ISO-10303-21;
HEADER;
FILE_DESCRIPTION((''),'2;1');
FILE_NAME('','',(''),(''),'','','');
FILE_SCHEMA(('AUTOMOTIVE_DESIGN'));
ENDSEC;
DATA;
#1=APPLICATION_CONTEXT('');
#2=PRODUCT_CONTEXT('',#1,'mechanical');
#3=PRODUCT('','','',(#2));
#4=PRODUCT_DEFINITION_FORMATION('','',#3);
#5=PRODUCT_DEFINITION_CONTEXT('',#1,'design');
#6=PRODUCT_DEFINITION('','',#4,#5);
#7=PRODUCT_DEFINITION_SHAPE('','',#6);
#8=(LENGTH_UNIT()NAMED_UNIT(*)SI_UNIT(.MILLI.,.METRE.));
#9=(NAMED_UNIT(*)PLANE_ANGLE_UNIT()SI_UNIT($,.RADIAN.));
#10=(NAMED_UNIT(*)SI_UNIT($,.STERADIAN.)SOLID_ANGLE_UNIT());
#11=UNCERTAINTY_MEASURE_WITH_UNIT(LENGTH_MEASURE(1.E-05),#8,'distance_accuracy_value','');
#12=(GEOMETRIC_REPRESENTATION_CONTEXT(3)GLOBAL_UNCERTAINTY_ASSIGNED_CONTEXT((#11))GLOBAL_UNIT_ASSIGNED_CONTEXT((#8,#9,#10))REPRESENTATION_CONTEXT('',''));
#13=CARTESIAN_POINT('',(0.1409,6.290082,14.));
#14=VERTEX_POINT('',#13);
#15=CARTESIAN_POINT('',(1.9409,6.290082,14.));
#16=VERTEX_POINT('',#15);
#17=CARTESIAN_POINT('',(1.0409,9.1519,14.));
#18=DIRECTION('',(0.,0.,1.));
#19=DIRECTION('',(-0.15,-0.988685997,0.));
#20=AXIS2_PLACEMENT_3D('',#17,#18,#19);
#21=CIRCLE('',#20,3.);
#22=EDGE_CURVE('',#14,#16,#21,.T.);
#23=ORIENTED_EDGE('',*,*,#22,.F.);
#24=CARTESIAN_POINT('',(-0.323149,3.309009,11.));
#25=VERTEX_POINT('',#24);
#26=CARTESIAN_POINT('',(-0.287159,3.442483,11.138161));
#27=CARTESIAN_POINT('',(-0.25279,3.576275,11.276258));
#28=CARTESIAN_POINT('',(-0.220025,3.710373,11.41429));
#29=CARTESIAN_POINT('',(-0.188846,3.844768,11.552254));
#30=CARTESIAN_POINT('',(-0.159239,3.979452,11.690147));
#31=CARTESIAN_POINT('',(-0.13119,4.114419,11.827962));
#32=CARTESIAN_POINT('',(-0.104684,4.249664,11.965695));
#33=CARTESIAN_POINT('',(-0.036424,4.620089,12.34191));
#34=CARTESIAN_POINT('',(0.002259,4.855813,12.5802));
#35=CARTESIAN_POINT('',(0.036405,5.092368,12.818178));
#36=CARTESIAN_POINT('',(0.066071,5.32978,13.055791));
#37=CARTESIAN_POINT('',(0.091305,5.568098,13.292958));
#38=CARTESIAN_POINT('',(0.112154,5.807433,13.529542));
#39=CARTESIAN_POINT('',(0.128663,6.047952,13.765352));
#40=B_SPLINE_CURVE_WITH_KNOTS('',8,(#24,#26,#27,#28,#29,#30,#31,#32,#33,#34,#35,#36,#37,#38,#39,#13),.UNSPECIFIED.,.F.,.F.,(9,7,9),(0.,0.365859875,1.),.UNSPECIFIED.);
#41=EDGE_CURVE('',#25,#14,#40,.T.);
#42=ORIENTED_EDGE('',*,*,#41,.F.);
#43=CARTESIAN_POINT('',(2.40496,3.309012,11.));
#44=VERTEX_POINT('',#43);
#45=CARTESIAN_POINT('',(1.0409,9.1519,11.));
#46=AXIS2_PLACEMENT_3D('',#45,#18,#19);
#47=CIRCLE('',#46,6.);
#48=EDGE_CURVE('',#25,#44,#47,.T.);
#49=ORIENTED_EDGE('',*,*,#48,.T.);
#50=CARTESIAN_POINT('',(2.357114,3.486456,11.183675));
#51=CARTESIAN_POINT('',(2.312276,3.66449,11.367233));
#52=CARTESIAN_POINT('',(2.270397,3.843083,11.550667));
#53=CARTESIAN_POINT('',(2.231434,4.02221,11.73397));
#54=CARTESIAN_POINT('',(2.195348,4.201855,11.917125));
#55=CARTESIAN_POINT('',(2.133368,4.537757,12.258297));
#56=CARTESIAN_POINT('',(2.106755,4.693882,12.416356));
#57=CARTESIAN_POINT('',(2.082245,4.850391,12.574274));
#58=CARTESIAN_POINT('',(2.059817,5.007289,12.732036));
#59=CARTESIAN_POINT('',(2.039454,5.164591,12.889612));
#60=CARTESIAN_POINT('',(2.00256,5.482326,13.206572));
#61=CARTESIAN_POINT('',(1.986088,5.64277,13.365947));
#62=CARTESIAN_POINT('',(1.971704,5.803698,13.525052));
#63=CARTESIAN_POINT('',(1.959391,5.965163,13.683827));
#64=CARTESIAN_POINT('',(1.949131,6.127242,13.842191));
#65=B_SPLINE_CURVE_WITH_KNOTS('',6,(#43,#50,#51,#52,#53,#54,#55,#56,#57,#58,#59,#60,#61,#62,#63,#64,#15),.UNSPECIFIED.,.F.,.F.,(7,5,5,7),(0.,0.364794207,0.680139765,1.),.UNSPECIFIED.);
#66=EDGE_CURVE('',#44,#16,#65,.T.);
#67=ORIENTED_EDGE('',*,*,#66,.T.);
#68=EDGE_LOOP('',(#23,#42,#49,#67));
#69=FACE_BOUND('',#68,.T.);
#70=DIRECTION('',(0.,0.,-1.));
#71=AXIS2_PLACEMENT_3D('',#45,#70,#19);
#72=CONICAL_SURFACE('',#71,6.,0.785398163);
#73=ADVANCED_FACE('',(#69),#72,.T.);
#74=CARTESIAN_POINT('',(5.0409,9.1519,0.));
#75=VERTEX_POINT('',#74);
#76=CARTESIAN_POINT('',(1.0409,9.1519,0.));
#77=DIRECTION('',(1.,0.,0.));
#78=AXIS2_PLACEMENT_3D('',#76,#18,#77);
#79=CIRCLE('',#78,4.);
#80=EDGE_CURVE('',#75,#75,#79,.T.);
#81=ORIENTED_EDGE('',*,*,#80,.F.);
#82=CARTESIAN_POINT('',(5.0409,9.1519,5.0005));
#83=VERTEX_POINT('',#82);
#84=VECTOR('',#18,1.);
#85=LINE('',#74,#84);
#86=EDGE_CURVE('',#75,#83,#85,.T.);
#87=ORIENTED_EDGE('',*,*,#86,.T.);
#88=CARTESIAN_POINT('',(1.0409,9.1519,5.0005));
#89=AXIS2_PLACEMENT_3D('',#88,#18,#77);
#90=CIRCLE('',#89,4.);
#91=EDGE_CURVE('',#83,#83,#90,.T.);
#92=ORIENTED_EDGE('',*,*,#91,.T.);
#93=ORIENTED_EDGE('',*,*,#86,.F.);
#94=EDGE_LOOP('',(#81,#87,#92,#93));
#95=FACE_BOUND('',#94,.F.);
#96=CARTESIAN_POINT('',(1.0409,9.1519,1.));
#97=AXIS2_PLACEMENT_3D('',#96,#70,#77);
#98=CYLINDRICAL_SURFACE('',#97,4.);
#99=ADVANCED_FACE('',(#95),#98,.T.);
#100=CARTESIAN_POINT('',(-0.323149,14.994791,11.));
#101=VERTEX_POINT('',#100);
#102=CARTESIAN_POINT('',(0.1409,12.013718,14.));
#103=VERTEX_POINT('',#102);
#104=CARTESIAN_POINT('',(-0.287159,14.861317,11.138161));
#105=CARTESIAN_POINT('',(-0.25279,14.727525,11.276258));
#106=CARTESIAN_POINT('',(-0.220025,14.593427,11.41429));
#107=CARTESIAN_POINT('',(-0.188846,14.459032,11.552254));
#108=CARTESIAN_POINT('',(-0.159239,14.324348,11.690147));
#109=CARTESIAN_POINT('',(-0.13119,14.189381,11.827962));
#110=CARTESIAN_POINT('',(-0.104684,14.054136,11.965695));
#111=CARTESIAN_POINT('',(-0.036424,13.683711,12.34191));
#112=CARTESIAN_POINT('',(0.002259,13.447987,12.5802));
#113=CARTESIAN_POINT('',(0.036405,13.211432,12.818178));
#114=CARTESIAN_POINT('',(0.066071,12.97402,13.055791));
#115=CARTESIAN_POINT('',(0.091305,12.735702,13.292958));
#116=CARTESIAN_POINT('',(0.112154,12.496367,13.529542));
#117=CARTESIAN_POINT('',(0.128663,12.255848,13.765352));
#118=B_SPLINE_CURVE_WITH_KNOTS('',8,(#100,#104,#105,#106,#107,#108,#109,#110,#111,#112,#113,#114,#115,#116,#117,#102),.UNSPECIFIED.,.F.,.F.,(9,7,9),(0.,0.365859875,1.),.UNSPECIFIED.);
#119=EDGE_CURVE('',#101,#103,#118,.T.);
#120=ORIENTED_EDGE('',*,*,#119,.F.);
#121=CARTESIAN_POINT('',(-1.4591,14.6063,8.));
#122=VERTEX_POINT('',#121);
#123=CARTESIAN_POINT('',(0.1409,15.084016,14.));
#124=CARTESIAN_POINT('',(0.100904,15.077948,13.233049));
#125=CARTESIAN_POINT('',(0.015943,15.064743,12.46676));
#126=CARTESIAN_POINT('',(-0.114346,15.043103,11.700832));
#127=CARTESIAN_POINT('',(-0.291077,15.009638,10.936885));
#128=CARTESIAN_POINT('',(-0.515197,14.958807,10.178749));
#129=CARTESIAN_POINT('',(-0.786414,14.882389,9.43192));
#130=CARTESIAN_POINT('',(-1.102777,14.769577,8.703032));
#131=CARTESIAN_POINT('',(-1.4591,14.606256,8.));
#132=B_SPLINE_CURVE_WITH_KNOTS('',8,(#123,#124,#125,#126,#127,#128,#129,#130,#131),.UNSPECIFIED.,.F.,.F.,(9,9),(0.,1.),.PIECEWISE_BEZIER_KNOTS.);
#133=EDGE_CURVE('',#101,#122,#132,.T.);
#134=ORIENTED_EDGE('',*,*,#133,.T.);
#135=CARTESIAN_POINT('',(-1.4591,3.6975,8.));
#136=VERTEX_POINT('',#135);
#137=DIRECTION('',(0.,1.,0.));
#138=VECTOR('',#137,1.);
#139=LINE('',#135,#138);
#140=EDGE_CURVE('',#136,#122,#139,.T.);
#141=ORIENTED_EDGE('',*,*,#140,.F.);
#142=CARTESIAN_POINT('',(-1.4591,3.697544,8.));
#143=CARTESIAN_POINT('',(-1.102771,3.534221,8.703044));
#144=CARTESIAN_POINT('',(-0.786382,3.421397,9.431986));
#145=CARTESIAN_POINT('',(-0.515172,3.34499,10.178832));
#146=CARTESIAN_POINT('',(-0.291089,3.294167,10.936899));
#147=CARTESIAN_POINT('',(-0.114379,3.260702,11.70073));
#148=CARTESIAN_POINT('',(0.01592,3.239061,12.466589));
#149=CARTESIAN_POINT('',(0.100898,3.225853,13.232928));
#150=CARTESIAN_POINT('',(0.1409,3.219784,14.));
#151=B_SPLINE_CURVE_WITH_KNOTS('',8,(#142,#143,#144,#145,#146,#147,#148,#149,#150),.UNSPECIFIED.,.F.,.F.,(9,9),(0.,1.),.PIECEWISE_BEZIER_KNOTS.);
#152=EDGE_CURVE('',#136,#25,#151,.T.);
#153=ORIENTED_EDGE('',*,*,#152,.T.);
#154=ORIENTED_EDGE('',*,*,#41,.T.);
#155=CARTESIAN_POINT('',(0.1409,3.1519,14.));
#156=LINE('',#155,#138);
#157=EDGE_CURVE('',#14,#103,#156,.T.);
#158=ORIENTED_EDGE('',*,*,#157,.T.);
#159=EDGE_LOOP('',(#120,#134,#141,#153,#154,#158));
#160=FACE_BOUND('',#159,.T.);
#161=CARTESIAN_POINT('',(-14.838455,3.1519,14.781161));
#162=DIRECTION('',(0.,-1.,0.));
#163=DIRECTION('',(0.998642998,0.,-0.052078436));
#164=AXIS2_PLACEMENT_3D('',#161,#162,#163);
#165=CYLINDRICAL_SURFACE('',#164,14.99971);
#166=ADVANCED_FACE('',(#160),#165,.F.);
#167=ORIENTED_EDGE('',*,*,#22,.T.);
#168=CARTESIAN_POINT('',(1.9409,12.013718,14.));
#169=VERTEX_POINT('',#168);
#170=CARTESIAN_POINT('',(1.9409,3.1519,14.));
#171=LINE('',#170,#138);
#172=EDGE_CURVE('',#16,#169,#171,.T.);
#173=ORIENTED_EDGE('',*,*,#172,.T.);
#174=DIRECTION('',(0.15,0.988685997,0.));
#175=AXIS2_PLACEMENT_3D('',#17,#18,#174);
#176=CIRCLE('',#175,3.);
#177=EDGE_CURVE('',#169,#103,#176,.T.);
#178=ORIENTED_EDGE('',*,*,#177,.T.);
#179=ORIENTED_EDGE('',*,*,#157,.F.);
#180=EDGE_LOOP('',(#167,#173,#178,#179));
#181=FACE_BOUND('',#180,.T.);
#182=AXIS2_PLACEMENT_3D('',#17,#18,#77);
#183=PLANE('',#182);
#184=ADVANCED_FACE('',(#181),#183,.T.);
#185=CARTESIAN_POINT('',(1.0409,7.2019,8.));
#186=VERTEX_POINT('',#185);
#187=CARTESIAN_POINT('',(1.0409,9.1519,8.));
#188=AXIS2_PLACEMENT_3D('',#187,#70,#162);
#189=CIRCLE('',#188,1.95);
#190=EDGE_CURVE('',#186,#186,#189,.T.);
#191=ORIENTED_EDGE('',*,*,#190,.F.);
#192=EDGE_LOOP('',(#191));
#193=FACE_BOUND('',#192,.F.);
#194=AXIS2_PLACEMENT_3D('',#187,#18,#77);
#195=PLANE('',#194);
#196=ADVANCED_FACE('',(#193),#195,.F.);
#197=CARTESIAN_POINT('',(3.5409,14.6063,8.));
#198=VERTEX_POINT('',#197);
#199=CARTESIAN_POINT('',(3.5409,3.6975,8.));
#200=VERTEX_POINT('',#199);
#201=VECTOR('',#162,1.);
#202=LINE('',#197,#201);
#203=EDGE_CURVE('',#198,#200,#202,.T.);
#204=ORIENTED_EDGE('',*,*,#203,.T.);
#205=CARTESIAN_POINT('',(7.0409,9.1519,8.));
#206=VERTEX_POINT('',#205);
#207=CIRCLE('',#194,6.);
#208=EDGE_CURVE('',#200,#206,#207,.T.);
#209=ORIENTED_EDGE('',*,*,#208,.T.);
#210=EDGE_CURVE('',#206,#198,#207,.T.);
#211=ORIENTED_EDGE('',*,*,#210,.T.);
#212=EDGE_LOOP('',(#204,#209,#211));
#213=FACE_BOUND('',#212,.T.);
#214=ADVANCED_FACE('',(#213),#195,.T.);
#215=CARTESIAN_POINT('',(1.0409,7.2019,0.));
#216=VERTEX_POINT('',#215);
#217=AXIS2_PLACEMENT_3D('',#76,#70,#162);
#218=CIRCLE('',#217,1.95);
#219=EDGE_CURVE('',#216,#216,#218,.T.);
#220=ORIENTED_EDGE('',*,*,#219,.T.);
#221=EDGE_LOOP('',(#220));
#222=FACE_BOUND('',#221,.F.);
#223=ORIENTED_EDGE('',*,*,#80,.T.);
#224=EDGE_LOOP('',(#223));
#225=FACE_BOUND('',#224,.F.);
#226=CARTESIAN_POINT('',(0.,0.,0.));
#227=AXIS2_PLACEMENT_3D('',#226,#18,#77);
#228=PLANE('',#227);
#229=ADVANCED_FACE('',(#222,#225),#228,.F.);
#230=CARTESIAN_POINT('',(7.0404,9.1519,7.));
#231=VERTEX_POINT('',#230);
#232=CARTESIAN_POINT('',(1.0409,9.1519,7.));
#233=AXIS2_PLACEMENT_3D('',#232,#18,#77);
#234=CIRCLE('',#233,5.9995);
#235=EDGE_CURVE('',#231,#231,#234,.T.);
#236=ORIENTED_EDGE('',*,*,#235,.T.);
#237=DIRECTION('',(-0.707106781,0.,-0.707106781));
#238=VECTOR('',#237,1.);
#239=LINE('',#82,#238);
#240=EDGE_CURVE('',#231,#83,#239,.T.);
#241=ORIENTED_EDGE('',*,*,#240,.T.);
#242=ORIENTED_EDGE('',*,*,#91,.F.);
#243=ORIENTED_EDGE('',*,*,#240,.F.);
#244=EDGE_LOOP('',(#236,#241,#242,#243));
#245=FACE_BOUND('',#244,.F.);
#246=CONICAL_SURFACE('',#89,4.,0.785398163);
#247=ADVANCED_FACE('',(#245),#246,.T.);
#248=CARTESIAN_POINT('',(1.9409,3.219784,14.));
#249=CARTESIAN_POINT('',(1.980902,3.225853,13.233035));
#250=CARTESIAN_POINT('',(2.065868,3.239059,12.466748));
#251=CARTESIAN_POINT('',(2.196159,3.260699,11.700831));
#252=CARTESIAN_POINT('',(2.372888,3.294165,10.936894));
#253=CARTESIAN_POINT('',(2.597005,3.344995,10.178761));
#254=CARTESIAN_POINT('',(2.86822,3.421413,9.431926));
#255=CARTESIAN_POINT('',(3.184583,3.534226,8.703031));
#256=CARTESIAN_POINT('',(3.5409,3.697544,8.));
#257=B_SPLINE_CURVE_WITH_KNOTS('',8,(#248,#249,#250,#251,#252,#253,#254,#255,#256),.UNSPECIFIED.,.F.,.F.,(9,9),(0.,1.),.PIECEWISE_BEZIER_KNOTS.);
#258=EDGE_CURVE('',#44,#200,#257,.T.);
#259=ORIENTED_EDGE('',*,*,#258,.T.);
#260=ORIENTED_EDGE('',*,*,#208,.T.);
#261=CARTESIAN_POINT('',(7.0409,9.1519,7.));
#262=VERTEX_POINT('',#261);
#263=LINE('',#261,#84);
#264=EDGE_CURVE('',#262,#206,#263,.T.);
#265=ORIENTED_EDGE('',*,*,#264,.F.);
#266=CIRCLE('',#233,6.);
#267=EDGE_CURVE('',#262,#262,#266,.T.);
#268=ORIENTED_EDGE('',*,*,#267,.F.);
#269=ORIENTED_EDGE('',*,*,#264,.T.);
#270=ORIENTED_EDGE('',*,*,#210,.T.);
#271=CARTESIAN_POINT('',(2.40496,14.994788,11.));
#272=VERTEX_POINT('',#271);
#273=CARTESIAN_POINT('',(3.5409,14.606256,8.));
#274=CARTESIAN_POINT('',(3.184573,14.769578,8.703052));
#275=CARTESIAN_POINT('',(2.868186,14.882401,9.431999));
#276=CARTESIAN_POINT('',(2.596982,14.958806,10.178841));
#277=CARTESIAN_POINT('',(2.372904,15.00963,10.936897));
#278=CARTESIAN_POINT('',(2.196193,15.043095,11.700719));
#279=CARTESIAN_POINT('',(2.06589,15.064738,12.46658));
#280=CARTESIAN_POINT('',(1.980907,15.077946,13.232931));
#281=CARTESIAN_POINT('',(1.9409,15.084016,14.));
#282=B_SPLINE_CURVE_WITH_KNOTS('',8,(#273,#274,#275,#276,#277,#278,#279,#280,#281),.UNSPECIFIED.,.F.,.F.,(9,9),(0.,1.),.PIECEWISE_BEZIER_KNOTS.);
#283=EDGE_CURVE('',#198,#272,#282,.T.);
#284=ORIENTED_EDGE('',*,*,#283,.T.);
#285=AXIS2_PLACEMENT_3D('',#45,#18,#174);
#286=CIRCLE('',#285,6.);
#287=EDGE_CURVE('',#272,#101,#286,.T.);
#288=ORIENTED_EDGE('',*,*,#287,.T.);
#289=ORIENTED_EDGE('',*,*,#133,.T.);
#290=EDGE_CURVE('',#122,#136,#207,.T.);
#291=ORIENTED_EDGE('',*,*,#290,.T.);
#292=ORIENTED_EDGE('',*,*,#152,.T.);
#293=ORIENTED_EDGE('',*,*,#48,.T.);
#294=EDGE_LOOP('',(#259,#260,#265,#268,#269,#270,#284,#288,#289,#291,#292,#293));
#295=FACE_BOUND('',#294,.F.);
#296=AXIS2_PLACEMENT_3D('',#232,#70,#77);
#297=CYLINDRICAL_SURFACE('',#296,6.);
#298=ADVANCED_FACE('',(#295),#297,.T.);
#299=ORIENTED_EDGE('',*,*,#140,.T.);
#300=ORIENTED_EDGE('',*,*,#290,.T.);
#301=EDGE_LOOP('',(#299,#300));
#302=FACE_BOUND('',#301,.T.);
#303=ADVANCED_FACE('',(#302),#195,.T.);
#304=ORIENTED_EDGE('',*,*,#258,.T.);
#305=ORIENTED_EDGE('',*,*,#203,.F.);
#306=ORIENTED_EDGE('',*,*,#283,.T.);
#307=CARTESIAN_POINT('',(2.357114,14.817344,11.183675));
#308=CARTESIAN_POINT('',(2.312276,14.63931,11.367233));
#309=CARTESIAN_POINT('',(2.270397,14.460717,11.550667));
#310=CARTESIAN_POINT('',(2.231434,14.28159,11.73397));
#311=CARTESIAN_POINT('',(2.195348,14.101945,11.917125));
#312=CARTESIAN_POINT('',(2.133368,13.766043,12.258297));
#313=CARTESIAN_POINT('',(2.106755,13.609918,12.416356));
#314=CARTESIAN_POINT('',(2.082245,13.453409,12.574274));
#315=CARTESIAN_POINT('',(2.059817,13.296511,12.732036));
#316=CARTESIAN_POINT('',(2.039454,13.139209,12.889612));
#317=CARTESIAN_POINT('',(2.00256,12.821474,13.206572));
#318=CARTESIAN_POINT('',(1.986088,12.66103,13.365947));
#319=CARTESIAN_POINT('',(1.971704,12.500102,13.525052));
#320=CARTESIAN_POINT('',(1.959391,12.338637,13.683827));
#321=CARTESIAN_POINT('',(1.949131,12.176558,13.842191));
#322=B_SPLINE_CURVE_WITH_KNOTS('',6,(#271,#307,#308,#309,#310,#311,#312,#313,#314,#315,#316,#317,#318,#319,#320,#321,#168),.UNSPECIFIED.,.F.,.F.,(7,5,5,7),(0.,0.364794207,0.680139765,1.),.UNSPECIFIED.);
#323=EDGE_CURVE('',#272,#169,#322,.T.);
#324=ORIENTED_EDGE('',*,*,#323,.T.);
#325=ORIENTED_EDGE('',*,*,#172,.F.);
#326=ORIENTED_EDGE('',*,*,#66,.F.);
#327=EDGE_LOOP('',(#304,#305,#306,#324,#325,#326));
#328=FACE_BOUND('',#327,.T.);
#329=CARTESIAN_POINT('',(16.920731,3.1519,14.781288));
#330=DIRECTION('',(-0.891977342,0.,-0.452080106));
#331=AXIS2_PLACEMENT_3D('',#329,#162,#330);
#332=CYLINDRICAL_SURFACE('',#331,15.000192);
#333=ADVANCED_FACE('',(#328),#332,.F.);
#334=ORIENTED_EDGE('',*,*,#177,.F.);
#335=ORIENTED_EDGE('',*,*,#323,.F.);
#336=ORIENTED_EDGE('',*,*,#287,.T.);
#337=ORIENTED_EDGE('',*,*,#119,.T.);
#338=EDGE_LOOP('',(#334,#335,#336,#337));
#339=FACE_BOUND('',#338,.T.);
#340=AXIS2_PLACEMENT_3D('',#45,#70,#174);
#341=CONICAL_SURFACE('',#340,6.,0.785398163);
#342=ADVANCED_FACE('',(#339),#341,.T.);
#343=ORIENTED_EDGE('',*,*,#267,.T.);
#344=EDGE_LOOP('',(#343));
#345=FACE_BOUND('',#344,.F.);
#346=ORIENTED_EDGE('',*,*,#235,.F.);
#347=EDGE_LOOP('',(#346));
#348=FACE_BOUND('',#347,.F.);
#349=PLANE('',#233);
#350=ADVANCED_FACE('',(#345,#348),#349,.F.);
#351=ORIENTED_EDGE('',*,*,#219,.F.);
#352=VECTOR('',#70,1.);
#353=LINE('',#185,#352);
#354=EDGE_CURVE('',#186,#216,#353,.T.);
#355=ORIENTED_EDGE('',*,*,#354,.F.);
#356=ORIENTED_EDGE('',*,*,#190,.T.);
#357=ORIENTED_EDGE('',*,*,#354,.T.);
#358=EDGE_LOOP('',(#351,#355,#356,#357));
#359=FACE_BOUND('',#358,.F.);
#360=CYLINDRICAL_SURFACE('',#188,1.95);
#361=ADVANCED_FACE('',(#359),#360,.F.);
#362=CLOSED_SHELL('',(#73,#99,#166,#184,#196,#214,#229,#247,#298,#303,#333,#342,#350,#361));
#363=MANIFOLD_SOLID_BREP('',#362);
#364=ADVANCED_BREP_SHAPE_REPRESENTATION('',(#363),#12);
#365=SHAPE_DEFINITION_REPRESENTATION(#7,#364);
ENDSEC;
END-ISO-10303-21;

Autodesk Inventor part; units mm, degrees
ref_plane "YZ Plane" through (0, 0, 0) normal (1, 0, 0) x (0, 1, 0)
ref_plane "XY Plane" through (0, 0, 0) normal (0, 0, 1) x (1, 0, 0)
sketch "Sketch1" plane through (0, 0, 0) normal (0, 0, 1) x (1, 0, 0)
  circle A0 centre (1.0409, 9.1519) radius 2.25 projected
  circle A1 centre (1.0409, 9.1519) radius 4
  point P0 (0, 0)
  dimension "d0" = 8
extrude "Extrusion1" add sketch "Sketch1" along normal blind 1 contours A0 | A1
sketch "Sketch2" plane through (1.0409, 9.1519, 1) normal (0, 0, 1) x (1, 0, 0)
  circle A0 centre (0, 0) radius 4
  point P0 (-1.0409, -9.1519)
  dimension "d3" = 8
extrude "Extrusion2" add sketch "Sketch2" along normal blind 6
sketch "Sketch3" plane through (1.0409, 9.1519, 7) normal (0, 0, 1) x (1, 0, 0)
  circle A0 centre (0, 0) radius 6
  point P0 (-1.0409, -9.1519)
  dimension "d6" = 12
extrude "Extrusion3" add sketch "Sketch3" along normal blind 1
hole "Hole1" at (1.0409, 9.1519, 8) direction (0, 0, -1) diameter 3.9 end through all
sketch "Sketch4" plane through (1.0409, 9.1519, 8) normal (0, 0, 1) x (1, 0, 0)
  line L0 (2.5, 5.4544) -> (2.5, -5.4544)
  line L1 (-2.5, -5.4544) -> (-2.5, 5.4544)
  circle A0 centre (0, 0) radius 1.95 projected
  circle A1 centre (0, 0) radius 6 projected
  point P0 (-1.0409, -9.1519)
  dimension "d22" = 2.5
  dimension "d23" = 2.5
extrude "Extrusion4" add sketch "Sketch4" along normal blind 6 contours L0 A1 L1 | A0
ref_plane "Work Plane1" through (1.0409, 3.1519, 7) normal (0, 1, 0) x (-1, 0, 0)
sketch "Sketch5" plane through (1.0409, 3.1519, 7) normal (0, 1, 0) x (-1, 0, 0)
  line L0 (-2.5, 1) -> (-2.5, 1) projected
  line L1 (-2.5, 1) -> (-2.5, 7) projected
  line L2 (2.5, 7) -> (-2.5, 7) projected
  line L3 (2.5, 1) -> (2.5, 7) projected
  line L4 (2.5, 1) -> (2.5, 1) projected
  line L5 (2.5, 1) -> (2.5, 7) projected
  line L6 (-2.5, 7) -> (2.5, 7) projected
  line L7 (-2.5, 1) -> (-2.5, 7) projected
  line L8 (-6, 0) -> (6, 0) projected
  line L9 (6, 1) -> (2.5, 1) projected
  arc A0 (0.9, 7) -> (2.5, 1) centre (15.8796, 7.7812) ccw
  line L10 (2.5, 7) -> (-2.5, 7) projected
  line L11 (0, 7) -> (0, 0)
  line L12 (4, 0) -> (-4, 0) projected
  line L13 (-2.5, 1) -> (-6, 1) projected
  arc A1 (-2.5, 1) -> (-0.9, 7) centre (-15.8796, 7.7812) ccw
  point P0 (1.0409, -7)
  dimension "d26" = 15
  dimension "d27" = 15
  dimension "d28" = 1.8
  dimension "d29" = 1.8
extrude "Extrusion5" cut sketch "Sketch5" along normal through all
chamfer "Chamfer1" distance 3 angle 45 2 edges at (1.0409, 15.1519, 14) (1.0409, 3.1519, 14)
chamfer "Chamfer2" distance 2 angle 45 1 edges at (-2.9591, 9.1519, 7)
equation "\"d23\" = d22"
equation "\"d29\" = d28"
properties part number "Arm - 608 bearing cap"
